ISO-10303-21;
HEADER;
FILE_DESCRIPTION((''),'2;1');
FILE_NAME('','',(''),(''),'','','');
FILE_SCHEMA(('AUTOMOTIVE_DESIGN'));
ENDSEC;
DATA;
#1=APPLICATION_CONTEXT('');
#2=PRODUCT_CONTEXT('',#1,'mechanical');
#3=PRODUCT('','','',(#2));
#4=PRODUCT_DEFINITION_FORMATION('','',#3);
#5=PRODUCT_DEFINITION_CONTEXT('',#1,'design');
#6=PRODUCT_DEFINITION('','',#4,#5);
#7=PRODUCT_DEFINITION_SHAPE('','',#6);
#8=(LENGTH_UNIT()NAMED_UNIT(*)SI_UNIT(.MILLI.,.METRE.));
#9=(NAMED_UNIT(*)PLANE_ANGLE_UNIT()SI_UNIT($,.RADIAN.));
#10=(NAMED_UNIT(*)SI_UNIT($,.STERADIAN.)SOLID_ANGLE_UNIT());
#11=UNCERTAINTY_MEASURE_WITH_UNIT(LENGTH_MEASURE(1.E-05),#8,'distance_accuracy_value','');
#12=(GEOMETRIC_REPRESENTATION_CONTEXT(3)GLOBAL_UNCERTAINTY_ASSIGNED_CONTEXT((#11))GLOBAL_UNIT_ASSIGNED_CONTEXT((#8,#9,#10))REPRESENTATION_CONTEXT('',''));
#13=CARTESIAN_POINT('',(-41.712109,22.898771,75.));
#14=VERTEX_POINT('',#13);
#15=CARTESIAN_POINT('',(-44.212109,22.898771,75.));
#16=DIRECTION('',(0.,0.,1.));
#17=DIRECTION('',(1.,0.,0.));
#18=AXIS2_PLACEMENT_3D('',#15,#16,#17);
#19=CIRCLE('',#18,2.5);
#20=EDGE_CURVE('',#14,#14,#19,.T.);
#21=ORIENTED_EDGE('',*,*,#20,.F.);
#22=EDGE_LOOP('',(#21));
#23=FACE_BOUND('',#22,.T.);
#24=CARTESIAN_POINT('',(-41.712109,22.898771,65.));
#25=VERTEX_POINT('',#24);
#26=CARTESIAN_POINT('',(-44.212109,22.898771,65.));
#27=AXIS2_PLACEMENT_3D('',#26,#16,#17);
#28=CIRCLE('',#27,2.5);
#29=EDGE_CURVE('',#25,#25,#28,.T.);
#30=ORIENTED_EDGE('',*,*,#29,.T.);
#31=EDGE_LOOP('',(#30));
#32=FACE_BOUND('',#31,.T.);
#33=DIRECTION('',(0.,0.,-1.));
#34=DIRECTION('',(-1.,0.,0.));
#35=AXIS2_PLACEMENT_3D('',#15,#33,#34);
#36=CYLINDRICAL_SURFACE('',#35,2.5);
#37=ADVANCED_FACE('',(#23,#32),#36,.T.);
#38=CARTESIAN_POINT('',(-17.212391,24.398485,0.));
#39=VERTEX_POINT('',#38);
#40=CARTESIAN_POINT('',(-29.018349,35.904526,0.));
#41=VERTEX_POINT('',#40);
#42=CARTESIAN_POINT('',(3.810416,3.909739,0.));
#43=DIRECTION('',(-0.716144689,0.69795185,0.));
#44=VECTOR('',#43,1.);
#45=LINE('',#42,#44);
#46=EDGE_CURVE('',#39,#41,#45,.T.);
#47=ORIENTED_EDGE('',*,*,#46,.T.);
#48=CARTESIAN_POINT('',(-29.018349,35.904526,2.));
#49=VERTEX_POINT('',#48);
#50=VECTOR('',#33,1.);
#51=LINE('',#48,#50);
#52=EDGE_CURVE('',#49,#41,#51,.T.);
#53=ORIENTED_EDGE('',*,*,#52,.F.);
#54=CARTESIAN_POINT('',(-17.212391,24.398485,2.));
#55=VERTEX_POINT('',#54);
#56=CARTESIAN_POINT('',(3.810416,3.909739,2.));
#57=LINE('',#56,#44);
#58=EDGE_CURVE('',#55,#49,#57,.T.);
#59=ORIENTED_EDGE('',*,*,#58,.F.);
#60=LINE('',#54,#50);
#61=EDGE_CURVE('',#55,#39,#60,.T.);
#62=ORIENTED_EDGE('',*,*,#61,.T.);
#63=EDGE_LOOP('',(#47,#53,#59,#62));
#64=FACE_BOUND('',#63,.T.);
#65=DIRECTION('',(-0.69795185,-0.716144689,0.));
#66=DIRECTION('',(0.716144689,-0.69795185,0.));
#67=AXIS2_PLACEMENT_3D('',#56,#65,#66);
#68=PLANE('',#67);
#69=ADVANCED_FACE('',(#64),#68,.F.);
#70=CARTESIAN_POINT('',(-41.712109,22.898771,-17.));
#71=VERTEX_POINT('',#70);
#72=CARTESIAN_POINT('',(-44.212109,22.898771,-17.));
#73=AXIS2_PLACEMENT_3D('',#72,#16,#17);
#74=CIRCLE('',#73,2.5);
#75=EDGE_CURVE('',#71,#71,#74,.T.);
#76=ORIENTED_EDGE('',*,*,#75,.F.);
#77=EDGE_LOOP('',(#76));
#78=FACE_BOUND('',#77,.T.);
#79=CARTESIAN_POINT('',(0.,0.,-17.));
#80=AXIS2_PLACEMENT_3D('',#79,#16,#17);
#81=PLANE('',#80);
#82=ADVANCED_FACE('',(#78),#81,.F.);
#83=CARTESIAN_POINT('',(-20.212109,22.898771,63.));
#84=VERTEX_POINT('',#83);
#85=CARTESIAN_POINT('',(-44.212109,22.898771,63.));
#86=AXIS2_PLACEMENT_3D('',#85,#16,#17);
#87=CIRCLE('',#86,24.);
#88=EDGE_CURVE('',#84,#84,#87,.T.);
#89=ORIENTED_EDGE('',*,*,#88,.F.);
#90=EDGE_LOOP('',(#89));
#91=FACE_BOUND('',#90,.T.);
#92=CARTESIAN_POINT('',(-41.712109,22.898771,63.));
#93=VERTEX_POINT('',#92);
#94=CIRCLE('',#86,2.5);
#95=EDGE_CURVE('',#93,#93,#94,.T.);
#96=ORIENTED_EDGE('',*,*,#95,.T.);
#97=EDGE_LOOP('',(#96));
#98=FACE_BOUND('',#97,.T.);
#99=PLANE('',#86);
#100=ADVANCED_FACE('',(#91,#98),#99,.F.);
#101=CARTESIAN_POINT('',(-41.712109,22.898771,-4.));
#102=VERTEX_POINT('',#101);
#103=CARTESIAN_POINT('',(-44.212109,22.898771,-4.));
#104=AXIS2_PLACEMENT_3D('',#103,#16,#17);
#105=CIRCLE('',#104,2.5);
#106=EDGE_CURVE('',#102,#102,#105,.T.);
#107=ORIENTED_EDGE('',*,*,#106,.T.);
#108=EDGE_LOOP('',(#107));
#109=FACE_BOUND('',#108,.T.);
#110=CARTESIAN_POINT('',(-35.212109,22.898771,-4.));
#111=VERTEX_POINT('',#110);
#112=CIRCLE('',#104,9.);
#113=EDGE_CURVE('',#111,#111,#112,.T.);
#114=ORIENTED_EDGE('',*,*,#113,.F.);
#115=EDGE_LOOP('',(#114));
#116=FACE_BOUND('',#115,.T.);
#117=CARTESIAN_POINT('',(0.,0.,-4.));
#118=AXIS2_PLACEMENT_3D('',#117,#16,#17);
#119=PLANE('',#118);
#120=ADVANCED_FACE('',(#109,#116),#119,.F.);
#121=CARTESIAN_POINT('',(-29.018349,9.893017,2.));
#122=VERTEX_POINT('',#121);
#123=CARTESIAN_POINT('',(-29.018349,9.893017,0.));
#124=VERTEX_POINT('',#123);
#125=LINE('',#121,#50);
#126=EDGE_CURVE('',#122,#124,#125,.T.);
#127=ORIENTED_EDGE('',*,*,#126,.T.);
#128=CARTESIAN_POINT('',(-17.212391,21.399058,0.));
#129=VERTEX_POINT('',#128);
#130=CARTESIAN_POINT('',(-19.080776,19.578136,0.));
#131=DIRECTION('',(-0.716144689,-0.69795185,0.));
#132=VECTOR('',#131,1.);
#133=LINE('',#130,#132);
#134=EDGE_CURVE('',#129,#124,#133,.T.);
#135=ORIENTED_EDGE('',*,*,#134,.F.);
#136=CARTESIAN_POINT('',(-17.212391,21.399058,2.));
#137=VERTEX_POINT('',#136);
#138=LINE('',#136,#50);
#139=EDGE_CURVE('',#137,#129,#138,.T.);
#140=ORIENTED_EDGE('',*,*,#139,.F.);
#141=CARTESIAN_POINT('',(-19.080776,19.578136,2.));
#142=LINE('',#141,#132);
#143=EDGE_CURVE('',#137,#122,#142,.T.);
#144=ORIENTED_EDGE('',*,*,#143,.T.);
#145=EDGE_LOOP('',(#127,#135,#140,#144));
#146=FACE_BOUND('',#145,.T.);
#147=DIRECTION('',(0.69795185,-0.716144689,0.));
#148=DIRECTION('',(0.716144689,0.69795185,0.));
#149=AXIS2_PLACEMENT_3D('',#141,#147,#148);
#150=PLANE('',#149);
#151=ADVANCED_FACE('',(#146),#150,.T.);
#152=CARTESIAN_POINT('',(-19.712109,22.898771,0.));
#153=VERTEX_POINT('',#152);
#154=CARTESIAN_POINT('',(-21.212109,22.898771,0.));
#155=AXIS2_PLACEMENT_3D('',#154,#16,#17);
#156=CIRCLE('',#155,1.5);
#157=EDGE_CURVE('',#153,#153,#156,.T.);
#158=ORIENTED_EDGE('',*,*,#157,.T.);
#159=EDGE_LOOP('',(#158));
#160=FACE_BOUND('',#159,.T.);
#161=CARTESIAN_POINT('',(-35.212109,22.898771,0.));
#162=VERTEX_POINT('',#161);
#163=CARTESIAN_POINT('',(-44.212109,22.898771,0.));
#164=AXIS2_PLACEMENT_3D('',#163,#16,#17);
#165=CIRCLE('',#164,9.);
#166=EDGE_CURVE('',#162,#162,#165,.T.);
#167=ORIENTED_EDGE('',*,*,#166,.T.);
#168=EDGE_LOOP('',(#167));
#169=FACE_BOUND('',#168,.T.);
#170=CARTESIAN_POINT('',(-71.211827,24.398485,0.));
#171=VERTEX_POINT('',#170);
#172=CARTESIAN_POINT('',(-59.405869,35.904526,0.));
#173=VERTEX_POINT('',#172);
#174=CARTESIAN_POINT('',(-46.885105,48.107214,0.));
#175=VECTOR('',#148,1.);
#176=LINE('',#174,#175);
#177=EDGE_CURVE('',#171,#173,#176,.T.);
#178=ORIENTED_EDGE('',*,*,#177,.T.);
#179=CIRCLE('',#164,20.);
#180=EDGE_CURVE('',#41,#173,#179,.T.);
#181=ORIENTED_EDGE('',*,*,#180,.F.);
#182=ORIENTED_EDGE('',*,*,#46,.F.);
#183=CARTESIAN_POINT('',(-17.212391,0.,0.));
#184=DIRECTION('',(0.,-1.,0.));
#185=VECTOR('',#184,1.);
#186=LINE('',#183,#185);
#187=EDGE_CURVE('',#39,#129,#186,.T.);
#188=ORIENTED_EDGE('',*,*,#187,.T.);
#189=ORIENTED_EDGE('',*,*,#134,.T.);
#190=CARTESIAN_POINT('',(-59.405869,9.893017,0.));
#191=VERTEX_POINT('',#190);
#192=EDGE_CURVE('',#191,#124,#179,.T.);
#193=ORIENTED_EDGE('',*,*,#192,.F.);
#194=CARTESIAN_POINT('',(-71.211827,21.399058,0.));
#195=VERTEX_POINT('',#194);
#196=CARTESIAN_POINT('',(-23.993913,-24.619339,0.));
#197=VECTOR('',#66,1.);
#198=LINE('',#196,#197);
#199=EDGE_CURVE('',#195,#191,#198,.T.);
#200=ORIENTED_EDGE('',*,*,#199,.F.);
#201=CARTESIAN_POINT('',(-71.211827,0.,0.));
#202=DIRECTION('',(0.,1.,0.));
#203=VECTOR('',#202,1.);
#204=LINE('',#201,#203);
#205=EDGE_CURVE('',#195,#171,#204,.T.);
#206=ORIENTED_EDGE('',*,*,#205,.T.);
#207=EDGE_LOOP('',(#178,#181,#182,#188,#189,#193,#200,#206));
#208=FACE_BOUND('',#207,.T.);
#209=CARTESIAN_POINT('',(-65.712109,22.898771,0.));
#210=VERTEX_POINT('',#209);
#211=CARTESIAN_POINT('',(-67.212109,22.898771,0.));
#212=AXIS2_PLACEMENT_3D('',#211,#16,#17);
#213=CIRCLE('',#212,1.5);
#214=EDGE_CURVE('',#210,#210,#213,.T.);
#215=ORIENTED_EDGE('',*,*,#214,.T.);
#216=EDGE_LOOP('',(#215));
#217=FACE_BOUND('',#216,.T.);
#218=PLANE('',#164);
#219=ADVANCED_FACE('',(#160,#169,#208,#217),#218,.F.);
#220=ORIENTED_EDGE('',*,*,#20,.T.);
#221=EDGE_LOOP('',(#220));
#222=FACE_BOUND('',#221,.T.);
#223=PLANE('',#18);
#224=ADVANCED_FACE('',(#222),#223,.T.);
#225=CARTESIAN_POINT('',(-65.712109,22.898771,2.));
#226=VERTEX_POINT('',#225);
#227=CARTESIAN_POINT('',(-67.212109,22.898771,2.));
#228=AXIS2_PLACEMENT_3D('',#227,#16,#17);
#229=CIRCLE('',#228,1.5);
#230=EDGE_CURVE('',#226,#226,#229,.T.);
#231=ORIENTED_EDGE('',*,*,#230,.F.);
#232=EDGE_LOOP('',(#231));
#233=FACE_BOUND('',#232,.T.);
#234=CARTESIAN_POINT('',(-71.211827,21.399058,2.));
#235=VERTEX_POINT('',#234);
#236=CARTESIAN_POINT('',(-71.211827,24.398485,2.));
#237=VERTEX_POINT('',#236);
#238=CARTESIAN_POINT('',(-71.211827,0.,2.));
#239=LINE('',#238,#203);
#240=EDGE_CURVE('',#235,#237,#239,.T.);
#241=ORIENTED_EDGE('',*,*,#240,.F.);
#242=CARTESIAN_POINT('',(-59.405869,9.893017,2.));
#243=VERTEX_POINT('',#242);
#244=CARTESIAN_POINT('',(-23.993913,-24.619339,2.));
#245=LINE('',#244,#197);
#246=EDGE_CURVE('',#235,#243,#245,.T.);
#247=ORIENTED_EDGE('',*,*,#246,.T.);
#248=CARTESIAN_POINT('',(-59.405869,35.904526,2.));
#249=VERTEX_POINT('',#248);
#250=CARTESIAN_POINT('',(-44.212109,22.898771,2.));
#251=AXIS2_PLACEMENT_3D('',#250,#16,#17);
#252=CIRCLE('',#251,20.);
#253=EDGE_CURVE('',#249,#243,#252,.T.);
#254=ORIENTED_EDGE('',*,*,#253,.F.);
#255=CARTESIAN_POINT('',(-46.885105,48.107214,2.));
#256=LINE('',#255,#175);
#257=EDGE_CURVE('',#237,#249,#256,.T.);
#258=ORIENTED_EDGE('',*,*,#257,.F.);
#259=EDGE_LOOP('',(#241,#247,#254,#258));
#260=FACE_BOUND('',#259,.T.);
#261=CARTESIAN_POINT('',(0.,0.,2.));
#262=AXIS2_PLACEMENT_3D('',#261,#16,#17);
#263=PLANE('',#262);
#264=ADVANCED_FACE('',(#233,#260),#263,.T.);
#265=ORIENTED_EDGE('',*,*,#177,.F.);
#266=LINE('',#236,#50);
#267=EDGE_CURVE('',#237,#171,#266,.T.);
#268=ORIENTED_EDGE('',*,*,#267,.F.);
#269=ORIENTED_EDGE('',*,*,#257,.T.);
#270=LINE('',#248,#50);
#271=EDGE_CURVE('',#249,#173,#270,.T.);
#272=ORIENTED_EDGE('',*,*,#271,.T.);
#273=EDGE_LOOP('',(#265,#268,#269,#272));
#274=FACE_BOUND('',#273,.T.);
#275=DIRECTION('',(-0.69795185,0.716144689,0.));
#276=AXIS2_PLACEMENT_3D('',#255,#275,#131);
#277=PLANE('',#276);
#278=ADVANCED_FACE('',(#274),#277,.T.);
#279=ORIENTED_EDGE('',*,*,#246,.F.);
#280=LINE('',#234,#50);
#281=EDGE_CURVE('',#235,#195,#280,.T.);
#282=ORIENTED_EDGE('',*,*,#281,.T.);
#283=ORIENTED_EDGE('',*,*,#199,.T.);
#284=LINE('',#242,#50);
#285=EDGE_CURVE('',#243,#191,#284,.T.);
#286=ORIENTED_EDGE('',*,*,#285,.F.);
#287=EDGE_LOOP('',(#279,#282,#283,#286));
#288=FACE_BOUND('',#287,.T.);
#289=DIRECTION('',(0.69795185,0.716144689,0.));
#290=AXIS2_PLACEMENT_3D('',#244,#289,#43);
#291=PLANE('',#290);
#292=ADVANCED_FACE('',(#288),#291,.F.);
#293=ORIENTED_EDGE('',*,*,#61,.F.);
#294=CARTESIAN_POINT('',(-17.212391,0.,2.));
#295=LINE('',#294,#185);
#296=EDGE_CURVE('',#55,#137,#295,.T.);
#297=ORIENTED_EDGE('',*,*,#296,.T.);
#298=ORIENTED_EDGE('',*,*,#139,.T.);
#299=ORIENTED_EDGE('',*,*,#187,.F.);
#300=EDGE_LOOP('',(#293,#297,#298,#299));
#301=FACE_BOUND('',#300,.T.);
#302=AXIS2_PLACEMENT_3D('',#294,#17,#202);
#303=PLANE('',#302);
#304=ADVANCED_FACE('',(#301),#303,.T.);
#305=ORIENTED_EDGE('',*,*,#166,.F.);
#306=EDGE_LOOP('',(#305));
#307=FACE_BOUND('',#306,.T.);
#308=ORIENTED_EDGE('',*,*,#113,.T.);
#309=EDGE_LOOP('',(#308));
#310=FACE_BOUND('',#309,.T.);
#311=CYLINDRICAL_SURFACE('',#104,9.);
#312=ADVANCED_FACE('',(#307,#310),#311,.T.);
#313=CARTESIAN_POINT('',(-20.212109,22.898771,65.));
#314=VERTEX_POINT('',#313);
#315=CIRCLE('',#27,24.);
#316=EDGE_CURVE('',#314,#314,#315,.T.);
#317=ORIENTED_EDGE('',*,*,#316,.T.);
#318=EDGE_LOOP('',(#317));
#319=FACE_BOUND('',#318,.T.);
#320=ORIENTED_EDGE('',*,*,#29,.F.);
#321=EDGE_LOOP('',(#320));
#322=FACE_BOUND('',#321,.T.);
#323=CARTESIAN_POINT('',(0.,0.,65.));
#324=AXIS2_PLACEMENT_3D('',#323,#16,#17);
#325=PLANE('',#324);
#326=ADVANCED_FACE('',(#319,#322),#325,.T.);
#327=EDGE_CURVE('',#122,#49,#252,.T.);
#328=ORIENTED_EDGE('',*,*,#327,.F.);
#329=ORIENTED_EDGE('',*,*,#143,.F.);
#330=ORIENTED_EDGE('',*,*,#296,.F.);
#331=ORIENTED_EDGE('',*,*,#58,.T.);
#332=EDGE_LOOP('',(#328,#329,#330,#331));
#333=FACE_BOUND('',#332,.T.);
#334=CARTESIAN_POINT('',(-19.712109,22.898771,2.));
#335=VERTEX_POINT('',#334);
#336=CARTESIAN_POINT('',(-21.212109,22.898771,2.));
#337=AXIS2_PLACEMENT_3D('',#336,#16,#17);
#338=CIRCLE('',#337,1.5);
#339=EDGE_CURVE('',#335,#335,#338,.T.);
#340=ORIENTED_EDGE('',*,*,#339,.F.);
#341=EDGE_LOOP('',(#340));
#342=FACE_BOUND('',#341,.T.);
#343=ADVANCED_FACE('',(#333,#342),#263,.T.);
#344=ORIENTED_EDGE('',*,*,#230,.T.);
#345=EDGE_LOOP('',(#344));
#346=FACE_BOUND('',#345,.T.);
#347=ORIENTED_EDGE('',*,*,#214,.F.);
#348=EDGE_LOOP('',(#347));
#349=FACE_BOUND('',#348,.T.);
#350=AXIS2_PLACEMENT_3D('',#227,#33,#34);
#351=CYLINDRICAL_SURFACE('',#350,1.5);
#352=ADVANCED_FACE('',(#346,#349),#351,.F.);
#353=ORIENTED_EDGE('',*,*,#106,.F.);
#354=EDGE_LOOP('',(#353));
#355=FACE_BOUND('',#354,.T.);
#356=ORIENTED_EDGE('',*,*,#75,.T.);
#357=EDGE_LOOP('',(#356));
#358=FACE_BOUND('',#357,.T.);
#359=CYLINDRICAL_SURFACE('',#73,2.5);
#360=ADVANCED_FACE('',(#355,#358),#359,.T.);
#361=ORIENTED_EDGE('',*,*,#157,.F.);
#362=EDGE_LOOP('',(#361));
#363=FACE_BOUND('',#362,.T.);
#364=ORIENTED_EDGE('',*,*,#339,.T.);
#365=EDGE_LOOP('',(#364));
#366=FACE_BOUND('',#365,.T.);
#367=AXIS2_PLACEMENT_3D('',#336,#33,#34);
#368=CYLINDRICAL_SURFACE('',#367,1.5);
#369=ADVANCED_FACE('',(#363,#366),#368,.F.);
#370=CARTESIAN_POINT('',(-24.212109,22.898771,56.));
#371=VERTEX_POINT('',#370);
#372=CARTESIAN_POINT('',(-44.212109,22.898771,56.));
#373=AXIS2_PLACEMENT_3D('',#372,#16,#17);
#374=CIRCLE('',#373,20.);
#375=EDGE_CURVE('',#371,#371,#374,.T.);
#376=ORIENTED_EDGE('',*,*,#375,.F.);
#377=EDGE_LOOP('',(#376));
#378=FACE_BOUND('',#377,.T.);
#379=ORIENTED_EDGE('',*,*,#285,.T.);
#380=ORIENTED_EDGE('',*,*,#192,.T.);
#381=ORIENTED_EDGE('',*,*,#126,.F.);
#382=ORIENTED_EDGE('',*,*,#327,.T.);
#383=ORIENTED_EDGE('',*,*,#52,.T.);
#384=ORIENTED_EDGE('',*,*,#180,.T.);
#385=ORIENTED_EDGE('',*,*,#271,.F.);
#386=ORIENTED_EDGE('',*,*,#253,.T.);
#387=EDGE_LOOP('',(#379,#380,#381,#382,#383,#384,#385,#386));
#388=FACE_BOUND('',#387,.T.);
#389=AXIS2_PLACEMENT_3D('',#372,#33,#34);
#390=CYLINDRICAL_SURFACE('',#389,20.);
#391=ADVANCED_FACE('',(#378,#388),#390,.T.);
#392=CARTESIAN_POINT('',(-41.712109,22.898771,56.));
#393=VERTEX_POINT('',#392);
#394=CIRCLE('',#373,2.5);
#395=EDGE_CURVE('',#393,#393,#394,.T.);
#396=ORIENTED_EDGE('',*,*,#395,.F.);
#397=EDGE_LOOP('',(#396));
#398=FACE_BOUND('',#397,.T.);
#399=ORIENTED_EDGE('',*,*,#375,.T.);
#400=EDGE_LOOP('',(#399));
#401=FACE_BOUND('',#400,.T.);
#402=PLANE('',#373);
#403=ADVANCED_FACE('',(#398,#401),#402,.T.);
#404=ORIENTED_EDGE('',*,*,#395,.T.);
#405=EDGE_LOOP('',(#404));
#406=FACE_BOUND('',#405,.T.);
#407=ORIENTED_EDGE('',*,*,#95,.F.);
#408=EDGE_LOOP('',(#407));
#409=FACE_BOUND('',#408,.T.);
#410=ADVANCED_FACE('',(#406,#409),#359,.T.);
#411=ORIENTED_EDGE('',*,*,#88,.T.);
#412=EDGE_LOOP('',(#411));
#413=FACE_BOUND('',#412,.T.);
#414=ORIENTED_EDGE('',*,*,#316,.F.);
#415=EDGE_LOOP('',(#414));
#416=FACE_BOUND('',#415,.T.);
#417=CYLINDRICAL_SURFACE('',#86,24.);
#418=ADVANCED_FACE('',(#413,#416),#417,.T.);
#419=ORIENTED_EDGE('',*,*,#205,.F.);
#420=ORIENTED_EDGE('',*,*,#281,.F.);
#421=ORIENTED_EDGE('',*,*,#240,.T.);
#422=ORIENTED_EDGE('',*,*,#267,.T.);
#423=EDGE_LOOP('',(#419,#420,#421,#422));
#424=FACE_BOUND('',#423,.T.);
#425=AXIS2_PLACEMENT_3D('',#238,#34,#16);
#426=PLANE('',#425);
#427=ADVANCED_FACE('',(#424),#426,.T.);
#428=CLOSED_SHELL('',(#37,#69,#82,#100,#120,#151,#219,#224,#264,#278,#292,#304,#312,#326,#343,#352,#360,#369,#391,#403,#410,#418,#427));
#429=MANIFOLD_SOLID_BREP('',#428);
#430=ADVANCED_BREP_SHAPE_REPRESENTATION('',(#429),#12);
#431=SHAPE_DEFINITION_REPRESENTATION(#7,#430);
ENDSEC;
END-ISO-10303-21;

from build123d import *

# Parameters (mm, degrees)
SKETCH1_R                = 20
BOSS_EXTRUDE2_DEPTH      = 56
SKETCH1_4_R              = 1.5
BOSS_EXTRUDE3_DEPTH      = 2
SKETCH1_5_R              = 9
SKETCH1_5_R_2            = 2.5
BOSS_EXTRUDE4_DEPTH      = 4
BOSS_EXTRUDE6_DEPTH      = 65
BOSS_EXTRUDE6_DEPTH_BACK = 17
SKETCH1_7_R              = 2.5
SKETCH8_R                = 24
SKETCH8_R_2              = 2.5
BOSS_EXTRUDE9_DEPTH      = 2
SKETCH9_R                = 2.5
BOSS_EXTRUDE11_DEPTH     = 10


with BuildPart() as part:
    # Sketch1 → Boss-Extrude2 (new body)
    with BuildSketch(Plane.XY):
        with Locations((-44.212108768, 22.898771409)):
            Circle(SKETCH1_R)
    extrude(amount=BOSS_EXTRUDE2_DEPTH)

    # Sketch1<4> → Boss-Extrude3 (add)
    # profile 1 of 2: a face of its own
    with BuildSketch(Plane.XY):
        with BuildLine():
            Line((-71.211826981, 24.398484848), (-71.211826981, 21.399057969))
            Line((-71.211826981, 21.399057969), (-59.405868846, 9.893016732))
            ThreePointArc((-59.405868846, 9.893016732), (-64.212108768, 22.898771409), (-59.405868846, 35.904526085))
            Line((-59.405868846, 35.904526085), (-71.211826981, 24.398484848))
        make_face()
        with Locations((-67.212108768, 22.898771409)):
            Circle(SKETCH1_4_R, mode=Mode.SUBTRACT)
    # profile 2 of 2: a face of its own
    with BuildSketch(Plane.XY):
        with BuildLine():
            ThreePointArc((-29.018348691, 35.904526085), (-24.212108768, 22.898771409), (-29.018348691, 9.893016732))
            Line((-29.018348691, 9.893016732), (-17.212390555, 21.399057969))
            Line((-17.212390555, 21.399057969), (-17.212390555, 24.398484848))
            Line((-17.212390555, 24.398484848), (-29.018348691, 35.904526085))
        make_face()
        with Locations((-21.212108768, 22.898771409)):
            Circle(SKETCH1_4_R, mode=Mode.SUBTRACT)
    extrude(amount=BOSS_EXTRUDE3_DEPTH)

    # Sketch1<5> → Boss-Extrude4 (add)
    with BuildSketch(Plane.XY):
        with Locations((-44.212108768, 22.898771409)):
            Circle(SKETCH1_5_R)
        with Locations((-44.212108768, 22.898771409)):
            Circle(SKETCH1_5_R_2, mode=Mode.SUBTRACT)
    extrude(amount=-BOSS_EXTRUDE4_DEPTH)

    # Sketch1<7> → Boss-Extrude6 (add, two sides: drawn at the far end of the back side and taken through both)
    with BuildSketch(Plane.XY.offset(-BOSS_EXTRUDE6_DEPTH_BACK)):
        with Locations((-44.212108768, 22.898771409)):
            Circle(SKETCH1_7_R)
    extrude(amount=BOSS_EXTRUDE6_DEPTH + BOSS_EXTRUDE6_DEPTH_BACK)

    # Sketch8 → Boss-Extrude9 (add)
    with BuildSketch(Plane.XY.offset(65)):
        with Locations((-44.212108768, 22.898771409)):
            Circle(SKETCH8_R)
        with Locations((-44.212108768, 22.898771409)):
            Circle(SKETCH8_R_2, mode=Mode.SUBTRACT)
    extrude(amount=-BOSS_EXTRUDE9_DEPTH)

    # Sketch9 → Boss-Extrude11 (add)
    with BuildSketch(Plane.XY.offset(65)):
        with Locations((-44.212108768, 22.898771409)):
            Circle(SKETCH9_R)
    extrude(amount=BOSS_EXTRUDE11_DEPTH)


solid = part.part
